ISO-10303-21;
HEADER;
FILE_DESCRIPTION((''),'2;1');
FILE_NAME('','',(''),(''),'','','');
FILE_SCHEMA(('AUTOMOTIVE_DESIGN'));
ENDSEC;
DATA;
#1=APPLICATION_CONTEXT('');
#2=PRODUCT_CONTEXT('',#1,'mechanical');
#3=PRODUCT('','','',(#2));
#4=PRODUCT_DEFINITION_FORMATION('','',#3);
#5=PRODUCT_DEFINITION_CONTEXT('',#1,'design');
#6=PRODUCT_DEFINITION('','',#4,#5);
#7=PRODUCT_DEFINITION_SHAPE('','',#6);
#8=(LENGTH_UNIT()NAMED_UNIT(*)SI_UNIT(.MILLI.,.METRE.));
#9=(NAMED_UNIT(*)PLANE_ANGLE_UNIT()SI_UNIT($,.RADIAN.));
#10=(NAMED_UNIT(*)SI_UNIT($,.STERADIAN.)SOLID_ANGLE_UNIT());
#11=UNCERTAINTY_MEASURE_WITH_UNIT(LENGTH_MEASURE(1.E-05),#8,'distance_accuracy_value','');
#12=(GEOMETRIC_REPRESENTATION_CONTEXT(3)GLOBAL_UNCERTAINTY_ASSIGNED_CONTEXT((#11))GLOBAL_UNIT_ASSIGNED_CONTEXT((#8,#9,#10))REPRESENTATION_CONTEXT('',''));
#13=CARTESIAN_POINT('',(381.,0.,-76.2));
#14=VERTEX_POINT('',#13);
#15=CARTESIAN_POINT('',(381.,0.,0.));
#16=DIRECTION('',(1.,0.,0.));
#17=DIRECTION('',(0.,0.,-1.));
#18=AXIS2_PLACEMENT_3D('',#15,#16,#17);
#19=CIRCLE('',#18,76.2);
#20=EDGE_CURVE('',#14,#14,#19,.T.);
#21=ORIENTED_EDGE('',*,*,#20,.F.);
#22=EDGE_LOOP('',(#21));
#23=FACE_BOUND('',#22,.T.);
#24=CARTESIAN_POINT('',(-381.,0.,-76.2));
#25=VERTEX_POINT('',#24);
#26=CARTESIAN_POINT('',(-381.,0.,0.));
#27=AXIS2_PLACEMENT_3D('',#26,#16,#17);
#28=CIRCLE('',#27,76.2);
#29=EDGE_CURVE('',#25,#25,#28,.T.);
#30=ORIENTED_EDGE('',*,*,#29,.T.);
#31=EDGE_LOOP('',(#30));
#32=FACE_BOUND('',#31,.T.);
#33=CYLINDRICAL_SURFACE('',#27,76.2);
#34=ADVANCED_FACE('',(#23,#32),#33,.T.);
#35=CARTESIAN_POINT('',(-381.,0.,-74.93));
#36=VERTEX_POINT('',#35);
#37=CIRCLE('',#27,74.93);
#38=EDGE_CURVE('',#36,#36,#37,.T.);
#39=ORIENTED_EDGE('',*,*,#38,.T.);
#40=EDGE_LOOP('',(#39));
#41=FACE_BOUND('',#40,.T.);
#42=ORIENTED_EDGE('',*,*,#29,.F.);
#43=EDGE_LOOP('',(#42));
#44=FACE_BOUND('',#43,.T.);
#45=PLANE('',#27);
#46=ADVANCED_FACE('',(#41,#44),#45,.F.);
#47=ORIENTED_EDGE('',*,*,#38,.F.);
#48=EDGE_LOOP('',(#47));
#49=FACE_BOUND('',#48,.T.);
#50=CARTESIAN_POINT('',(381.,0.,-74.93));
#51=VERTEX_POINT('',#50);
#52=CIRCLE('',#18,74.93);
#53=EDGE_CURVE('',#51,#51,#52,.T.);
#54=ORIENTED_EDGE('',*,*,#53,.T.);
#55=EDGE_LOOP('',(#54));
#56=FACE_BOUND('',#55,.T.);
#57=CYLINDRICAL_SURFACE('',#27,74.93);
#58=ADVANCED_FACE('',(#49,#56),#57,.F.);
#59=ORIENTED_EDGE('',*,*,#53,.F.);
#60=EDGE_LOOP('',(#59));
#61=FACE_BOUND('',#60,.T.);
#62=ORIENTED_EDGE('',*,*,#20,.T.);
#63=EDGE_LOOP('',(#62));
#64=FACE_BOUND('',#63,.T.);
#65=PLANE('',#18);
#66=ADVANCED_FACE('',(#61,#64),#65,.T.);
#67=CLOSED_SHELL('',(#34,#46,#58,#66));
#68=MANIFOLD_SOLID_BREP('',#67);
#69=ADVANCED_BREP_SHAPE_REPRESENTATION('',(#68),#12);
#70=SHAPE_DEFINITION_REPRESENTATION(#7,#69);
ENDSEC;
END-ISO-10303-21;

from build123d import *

# Parameters (mm, degrees)
SKETCH2_R           = 76.2
SKETCH2_R_2         = 74.93
BOSS_EXTRUDE1_DEPTH = 381


with BuildPart() as part:
    # Sketch2 → Boss-Extrude1 (new body, symmetric)
    with BuildSketch(Plane(origin=(0, 0, 0), x_dir=(0, 0, -1), z_dir=(1, 0, 0))):
        Circle(SKETCH2_R)
        Circle(SKETCH2_R_2, mode=Mode.SUBTRACT)
    extrude(amount=BOSS_EXTRUDE1_DEPTH, both=True)


solid = part.part
